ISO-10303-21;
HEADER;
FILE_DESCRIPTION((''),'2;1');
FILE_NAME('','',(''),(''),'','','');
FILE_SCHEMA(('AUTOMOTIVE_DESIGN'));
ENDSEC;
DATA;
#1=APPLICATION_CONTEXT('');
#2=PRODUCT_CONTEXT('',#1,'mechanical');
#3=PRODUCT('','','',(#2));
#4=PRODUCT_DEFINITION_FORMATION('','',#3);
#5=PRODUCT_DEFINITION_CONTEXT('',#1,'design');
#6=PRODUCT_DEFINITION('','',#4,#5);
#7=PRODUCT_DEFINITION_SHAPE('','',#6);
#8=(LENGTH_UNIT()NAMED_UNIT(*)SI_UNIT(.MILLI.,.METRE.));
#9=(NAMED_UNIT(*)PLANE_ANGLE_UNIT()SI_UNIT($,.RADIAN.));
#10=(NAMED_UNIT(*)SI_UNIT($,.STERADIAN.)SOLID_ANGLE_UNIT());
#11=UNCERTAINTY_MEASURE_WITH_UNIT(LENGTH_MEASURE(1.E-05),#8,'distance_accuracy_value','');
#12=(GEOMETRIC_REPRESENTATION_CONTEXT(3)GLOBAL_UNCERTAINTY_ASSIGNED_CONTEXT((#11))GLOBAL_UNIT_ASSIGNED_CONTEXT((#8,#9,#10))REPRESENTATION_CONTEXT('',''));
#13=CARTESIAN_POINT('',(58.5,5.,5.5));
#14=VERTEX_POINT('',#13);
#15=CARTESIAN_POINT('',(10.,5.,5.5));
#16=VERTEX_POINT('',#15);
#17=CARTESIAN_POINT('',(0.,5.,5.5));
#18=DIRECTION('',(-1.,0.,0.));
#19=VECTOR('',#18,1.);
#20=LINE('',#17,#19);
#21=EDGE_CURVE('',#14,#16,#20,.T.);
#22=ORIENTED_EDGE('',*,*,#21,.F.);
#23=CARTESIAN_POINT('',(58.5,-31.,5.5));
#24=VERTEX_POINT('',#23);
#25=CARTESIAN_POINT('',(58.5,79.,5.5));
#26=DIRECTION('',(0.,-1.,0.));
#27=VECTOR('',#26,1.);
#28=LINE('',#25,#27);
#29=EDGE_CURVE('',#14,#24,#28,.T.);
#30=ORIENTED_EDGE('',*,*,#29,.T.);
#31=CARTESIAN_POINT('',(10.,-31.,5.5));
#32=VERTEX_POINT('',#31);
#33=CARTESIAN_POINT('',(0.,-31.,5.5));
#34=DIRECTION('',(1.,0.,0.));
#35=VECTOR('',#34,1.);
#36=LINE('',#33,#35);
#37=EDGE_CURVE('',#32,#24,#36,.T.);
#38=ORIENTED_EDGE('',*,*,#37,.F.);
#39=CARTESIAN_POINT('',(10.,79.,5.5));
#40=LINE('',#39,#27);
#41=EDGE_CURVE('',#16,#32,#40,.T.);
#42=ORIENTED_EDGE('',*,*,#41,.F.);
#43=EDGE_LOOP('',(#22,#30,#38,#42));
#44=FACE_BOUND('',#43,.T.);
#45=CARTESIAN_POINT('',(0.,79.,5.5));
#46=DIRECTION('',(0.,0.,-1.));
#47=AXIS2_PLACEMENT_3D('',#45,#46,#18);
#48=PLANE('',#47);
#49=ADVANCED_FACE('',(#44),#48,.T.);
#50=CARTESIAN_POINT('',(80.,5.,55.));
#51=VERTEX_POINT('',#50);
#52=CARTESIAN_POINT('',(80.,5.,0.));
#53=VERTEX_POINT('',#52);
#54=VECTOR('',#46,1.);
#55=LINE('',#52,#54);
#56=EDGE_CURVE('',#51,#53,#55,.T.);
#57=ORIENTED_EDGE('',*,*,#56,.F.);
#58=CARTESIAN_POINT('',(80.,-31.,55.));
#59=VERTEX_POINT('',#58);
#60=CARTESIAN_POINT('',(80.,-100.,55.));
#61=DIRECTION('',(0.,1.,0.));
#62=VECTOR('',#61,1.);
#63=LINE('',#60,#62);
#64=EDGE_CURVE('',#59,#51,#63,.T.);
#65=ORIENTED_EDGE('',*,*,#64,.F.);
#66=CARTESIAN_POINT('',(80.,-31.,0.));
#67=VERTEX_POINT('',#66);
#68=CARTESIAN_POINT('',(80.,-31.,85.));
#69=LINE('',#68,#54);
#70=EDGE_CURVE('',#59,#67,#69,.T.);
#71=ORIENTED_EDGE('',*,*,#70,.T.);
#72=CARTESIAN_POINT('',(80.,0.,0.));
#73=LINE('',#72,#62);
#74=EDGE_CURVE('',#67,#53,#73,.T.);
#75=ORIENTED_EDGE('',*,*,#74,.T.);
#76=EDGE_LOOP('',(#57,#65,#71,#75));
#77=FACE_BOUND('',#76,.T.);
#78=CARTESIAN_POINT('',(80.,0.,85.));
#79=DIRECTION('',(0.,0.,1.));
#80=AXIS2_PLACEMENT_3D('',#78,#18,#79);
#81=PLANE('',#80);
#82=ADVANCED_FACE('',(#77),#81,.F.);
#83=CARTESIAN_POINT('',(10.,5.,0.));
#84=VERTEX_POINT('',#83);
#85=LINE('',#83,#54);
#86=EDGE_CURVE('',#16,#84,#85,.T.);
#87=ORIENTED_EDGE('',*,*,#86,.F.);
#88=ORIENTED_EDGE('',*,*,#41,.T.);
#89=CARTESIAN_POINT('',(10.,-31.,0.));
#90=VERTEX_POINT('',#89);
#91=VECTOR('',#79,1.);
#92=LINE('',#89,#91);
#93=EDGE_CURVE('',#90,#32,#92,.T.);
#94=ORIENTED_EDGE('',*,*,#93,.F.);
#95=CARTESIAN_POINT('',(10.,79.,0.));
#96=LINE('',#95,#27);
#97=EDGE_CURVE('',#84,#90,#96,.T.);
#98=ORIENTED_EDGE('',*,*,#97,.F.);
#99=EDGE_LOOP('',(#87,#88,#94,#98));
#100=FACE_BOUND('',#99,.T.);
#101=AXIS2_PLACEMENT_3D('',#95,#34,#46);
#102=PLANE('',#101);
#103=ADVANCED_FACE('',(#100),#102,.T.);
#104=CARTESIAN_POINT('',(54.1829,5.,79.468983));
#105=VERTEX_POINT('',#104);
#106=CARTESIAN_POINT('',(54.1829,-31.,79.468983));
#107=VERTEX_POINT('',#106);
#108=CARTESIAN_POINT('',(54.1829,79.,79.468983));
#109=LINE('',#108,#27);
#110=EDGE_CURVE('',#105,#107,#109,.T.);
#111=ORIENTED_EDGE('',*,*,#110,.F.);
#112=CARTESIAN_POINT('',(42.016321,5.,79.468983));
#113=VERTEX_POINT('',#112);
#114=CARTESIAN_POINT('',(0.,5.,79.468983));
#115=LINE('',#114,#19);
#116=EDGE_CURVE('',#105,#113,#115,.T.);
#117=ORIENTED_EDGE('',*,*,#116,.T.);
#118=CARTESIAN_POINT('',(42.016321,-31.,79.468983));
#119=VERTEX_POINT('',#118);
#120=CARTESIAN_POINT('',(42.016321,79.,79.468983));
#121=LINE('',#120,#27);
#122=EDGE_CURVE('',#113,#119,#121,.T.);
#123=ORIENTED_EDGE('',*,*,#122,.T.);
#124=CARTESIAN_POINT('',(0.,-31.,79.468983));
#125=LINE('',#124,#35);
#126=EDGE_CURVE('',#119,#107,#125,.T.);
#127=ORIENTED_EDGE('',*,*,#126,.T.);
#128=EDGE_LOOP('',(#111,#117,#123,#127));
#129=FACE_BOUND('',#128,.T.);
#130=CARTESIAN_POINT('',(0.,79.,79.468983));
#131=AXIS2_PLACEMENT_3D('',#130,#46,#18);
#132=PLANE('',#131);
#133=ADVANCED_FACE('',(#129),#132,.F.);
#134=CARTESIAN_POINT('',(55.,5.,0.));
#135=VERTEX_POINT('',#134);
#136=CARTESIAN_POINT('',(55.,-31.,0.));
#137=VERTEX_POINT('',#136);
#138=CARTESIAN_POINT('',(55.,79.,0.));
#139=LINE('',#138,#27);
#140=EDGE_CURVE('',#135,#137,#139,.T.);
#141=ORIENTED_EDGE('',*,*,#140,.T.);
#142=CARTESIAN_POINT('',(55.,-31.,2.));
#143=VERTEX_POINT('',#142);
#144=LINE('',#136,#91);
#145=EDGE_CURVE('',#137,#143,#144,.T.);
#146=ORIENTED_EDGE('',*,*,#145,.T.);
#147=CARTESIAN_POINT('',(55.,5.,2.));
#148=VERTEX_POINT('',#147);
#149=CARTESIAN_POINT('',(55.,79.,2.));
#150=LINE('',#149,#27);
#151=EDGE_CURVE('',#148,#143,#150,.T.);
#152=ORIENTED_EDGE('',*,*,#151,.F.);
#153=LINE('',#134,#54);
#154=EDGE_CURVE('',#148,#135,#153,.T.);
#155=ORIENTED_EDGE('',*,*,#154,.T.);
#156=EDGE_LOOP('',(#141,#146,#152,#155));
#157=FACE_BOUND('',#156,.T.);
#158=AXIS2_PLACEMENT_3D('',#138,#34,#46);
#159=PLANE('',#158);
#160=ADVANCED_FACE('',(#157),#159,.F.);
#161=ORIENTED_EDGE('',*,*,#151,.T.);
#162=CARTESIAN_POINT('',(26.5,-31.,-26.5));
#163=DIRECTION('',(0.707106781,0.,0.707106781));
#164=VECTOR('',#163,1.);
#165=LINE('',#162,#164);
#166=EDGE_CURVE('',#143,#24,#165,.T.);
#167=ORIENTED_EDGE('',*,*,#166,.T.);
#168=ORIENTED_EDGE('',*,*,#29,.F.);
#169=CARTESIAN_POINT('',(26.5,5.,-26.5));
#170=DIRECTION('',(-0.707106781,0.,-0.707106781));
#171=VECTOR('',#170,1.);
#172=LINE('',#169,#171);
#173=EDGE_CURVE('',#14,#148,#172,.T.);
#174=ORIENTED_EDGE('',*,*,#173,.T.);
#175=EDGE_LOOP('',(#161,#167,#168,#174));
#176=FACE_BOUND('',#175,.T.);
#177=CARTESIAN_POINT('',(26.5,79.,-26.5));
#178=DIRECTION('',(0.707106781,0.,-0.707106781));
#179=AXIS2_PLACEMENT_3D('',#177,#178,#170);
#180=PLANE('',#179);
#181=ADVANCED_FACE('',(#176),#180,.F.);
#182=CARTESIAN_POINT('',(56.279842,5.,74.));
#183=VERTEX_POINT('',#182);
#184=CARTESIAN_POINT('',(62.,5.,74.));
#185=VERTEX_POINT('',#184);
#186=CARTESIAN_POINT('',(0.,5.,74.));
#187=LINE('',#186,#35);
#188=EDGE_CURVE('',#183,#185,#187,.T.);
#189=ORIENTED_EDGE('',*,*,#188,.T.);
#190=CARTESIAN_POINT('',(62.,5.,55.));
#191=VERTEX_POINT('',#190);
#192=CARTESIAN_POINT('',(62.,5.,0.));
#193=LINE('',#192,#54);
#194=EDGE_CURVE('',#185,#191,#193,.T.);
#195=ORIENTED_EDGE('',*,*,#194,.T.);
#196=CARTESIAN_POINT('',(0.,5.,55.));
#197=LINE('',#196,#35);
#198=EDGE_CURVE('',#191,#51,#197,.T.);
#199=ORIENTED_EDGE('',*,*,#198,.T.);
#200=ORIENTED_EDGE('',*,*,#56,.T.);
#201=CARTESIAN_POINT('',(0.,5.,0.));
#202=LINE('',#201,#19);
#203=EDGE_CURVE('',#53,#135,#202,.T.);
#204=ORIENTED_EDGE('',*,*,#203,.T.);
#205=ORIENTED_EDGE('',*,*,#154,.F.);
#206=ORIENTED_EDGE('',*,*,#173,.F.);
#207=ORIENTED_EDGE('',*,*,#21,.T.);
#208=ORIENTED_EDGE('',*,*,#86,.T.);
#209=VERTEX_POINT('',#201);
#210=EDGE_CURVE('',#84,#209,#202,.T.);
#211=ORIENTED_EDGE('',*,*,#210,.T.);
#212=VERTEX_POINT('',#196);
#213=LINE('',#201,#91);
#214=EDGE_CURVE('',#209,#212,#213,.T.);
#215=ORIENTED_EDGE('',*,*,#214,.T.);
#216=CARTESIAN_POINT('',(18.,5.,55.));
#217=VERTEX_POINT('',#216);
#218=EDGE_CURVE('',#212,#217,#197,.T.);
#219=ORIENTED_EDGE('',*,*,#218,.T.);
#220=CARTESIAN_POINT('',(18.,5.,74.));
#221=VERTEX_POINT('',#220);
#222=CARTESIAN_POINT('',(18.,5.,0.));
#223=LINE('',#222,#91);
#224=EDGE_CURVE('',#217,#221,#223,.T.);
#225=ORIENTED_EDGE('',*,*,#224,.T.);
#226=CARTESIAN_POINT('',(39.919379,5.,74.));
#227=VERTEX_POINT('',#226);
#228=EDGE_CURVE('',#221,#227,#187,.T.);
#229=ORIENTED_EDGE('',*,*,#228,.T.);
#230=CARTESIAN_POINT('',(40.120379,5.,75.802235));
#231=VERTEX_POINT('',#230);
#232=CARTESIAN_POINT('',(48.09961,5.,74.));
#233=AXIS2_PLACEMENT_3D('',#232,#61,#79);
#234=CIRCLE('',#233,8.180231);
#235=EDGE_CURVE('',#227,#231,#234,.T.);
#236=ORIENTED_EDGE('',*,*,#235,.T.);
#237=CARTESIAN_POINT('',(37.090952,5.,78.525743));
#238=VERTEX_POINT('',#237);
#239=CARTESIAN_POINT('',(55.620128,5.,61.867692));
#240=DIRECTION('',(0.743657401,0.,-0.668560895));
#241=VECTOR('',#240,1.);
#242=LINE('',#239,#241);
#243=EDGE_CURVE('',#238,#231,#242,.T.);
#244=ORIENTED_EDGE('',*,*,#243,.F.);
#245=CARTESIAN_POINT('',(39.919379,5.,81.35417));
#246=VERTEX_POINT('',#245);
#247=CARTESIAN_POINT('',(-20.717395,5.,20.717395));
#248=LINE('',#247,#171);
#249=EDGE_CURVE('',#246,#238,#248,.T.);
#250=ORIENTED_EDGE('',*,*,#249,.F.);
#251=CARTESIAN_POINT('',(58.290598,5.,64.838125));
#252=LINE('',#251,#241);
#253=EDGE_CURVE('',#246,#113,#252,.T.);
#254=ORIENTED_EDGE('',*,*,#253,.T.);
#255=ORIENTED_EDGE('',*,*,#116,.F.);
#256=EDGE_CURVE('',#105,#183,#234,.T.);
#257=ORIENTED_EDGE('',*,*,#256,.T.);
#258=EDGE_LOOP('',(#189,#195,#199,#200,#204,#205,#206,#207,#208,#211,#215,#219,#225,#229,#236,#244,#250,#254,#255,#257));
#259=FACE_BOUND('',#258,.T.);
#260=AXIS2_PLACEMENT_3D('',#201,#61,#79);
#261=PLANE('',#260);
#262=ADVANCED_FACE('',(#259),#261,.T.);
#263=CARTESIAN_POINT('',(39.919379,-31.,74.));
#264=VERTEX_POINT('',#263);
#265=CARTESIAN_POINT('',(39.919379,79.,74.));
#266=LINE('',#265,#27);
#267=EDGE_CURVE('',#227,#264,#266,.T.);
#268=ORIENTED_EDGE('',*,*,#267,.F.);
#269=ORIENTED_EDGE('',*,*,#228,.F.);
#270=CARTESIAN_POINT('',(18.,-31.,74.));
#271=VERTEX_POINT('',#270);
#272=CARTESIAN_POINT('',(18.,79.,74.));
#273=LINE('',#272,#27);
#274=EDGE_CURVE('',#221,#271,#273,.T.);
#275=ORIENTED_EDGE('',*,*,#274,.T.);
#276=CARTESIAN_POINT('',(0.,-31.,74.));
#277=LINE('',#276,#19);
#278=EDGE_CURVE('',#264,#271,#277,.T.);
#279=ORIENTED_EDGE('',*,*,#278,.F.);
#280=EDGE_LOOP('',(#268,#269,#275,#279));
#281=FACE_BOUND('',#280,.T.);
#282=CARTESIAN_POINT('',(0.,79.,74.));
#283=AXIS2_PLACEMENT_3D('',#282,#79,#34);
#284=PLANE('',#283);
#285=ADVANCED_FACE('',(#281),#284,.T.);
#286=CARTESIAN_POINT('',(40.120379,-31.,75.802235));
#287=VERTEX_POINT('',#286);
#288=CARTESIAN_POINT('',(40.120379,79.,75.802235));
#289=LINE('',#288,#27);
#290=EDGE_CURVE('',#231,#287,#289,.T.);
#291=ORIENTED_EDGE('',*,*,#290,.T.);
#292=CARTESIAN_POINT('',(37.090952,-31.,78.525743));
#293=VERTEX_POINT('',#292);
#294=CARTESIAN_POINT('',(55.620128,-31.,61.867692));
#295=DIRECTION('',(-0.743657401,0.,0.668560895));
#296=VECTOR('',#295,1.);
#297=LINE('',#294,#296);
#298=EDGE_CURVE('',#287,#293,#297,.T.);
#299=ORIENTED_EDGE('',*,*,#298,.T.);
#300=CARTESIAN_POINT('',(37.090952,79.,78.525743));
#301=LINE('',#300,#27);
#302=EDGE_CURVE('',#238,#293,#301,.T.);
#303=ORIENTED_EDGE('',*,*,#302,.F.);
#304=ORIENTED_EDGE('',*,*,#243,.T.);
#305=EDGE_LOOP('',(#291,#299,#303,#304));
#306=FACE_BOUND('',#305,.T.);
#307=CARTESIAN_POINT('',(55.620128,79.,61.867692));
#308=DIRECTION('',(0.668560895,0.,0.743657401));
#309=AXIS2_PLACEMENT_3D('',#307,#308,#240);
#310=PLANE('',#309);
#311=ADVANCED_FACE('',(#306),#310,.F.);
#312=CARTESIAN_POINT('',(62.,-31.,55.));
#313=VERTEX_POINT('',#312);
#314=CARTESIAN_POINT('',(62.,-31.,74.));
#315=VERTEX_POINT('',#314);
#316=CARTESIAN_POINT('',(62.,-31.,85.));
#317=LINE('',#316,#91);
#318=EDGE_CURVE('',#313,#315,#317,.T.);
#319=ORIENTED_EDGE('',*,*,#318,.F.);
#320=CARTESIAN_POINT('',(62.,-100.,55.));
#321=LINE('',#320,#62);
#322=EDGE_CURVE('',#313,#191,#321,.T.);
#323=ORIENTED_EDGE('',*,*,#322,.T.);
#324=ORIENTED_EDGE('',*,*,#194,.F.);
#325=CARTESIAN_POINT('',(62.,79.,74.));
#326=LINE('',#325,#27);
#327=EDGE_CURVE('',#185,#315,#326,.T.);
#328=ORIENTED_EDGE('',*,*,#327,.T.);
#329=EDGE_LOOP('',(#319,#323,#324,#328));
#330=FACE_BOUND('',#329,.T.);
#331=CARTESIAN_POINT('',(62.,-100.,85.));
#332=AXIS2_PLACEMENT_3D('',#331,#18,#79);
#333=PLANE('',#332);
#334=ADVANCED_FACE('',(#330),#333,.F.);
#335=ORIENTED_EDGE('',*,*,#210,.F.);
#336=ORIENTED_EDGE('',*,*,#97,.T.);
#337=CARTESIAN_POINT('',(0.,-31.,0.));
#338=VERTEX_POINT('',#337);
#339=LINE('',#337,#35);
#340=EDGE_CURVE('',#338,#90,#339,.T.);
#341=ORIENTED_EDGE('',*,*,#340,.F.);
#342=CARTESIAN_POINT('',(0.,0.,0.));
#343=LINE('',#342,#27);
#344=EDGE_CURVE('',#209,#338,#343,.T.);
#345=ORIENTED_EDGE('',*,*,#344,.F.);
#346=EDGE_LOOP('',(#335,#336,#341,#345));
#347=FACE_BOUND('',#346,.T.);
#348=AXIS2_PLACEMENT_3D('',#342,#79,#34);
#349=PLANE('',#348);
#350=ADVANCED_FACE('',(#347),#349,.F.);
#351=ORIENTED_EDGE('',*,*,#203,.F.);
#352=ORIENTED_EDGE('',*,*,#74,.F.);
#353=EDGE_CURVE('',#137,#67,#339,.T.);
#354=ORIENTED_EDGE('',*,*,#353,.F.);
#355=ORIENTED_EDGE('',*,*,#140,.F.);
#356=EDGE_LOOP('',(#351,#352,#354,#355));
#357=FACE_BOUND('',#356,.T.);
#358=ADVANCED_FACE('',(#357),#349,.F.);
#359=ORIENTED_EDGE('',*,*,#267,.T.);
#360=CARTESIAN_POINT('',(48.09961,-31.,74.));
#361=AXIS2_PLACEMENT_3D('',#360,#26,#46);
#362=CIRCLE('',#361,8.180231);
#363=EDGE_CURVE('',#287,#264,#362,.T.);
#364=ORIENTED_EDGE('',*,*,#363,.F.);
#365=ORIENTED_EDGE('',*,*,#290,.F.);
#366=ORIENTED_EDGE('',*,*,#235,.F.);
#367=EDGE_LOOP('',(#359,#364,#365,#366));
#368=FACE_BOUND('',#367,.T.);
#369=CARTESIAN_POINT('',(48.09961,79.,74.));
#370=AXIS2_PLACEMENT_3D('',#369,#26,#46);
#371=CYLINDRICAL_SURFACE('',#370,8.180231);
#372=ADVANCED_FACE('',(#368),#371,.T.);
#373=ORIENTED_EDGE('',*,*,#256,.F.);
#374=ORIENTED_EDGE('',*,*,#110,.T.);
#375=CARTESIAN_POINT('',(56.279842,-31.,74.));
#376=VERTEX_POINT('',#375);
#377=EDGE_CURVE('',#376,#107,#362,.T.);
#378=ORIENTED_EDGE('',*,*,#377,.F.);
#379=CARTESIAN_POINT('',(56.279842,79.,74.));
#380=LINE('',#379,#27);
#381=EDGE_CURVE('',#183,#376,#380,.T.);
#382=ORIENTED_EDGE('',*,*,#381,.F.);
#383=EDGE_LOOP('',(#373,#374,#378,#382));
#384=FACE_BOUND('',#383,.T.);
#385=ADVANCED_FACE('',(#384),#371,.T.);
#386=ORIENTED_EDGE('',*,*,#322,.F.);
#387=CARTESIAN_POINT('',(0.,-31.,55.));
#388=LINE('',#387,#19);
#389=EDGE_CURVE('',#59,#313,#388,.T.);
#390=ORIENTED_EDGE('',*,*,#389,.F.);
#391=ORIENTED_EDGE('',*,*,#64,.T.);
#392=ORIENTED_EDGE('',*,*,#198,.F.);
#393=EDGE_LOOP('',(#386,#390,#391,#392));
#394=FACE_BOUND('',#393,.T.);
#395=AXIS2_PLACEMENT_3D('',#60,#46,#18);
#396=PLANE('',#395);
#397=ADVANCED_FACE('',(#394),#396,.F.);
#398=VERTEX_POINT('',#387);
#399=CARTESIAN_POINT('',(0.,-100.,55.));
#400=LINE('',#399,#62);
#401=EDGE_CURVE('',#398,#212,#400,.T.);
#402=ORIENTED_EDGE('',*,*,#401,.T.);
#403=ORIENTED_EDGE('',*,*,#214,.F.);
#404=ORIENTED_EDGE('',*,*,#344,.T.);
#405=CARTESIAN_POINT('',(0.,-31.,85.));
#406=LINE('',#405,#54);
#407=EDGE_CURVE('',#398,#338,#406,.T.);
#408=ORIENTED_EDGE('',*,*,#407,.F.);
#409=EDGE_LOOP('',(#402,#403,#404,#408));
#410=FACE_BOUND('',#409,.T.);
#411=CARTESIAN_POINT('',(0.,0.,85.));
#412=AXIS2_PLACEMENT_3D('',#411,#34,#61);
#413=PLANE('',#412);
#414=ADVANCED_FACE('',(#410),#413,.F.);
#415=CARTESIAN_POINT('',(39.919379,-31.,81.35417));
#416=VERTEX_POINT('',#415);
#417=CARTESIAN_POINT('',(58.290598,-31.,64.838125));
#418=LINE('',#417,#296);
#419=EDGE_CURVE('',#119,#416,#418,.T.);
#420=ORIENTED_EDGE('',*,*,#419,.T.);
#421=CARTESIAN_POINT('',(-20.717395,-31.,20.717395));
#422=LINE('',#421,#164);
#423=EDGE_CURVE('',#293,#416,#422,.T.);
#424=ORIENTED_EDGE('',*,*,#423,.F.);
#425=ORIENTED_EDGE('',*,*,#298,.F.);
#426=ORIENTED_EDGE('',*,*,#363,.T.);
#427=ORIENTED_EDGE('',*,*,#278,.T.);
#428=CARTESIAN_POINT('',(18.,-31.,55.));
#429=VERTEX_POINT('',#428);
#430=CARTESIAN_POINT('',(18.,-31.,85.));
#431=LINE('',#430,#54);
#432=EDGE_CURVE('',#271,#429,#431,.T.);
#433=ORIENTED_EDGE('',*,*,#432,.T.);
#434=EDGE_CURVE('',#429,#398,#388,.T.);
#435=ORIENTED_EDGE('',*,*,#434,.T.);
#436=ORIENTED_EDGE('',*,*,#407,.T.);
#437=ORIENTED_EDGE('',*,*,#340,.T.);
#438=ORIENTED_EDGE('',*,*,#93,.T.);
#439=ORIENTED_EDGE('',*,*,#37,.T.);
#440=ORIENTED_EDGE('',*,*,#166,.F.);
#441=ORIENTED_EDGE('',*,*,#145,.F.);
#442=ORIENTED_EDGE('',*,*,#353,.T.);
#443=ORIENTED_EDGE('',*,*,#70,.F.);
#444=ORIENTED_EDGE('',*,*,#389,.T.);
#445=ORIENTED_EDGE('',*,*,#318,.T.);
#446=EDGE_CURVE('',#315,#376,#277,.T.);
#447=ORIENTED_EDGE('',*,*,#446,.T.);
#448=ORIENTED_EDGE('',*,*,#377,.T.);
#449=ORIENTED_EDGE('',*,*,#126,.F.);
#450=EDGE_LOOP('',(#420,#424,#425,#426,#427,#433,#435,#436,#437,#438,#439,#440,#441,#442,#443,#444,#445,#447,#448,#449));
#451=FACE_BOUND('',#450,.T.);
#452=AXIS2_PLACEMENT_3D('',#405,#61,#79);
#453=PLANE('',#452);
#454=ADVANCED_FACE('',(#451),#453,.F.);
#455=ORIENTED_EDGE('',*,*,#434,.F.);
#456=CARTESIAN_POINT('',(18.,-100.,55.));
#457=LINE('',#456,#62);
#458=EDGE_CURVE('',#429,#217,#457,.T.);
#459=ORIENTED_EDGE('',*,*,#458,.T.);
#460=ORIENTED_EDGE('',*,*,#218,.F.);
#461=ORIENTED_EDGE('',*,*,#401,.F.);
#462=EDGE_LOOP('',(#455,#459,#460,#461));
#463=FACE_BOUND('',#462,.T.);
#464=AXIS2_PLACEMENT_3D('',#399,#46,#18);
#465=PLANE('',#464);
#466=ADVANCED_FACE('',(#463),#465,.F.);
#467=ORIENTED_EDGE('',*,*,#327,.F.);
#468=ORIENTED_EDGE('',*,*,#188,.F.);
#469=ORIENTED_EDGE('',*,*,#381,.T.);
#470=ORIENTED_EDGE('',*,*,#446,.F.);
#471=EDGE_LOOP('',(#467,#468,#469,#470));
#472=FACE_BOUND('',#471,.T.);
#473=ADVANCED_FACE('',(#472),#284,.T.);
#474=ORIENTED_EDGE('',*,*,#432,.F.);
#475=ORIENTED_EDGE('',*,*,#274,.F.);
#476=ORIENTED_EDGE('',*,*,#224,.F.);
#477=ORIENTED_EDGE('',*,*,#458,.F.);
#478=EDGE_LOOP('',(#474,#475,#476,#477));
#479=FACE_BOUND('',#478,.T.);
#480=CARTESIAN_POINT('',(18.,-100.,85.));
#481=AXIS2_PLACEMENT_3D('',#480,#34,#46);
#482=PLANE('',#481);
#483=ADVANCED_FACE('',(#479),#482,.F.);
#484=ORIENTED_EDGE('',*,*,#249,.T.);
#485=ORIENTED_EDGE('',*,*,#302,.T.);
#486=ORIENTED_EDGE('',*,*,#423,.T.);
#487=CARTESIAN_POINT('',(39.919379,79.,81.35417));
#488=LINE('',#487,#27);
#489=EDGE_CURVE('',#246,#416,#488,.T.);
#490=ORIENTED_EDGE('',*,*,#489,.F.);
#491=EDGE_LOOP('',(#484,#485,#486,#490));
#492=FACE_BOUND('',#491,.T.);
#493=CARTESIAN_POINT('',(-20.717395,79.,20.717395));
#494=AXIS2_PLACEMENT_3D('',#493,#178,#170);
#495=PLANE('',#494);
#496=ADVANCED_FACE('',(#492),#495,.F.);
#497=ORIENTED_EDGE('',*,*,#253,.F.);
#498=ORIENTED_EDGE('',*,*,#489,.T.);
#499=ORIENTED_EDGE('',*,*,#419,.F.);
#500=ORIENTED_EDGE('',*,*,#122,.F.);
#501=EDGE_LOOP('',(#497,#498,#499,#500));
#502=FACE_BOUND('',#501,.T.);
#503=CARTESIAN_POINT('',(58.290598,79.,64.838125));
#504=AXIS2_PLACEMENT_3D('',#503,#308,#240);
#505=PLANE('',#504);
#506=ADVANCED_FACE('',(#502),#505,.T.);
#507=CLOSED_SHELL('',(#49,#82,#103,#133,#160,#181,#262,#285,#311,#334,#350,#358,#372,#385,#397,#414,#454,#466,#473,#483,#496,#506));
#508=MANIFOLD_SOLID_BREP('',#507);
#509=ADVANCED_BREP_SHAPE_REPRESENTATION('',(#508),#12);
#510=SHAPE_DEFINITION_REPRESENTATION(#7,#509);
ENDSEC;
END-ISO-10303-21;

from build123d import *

# Parameters (mm, degrees)
SKETCH_6_W          = 80
SKETCH_6_H          = 31
EXTRUDE_1_DEPTH     = 85
SKETCH_8_W          = 18
SKETCH_8_H          = 30
CUT_EXTRUDE_1_DEPTH = 100
SKETCH_9_W          = 44
SKETCH_9_H          = 30
EXTRUDE_3_DEPTH     = 5
CUT_EXTRUDE_2_DEPTH = 110


with BuildPart() as part:
    # 草图6 → 凸台-拉伸1 (new body)
    with BuildSketch(Plane.XY):
        with Locations((40, -15.5)):
            Rectangle(SKETCH_6_W, SKETCH_6_H)
    extrude(amount=EXTRUDE_1_DEPTH)

    # 草图8 → 切除-拉伸1 (cut)
    with BuildSketch(Plane(origin=(0, 0, 0), x_dir=(1, 0, 0), z_dir=(0, 1, 0))):
        with Locations((71, -70)):
            Rectangle(SKETCH_8_W, SKETCH_8_H)
        with Locations((9, -70)):
            Rectangle(SKETCH_8_W, SKETCH_8_H)
    extrude(amount=-CUT_EXTRUDE_1_DEPTH, mode=Mode.SUBTRACT)

    # 草图9 → 凸台-拉伸3 (add)
    with BuildSketch(Plane(origin=(0, 0, 0), x_dir=(1, 0, 0), z_dir=(0, 1, 0))):
        Polygon((18, -55), (62, -55), (80, -55), (80, 0), (0, 0), (0, -55), align=None)
        with Locations((40, -70)):
            Rectangle(SKETCH_9_W, SKETCH_9_H)
    extrude(amount=EXTRUDE_3_DEPTH)

    # 草图10 → 切除-拉伸2 (cut)
    with BuildSketch(Plane.XZ.offset(31)):
        Polygon((10, 0), (55, 0), (55, 2), (58.5, 5.5), (10, 5.5), align=None)
        with BuildLine():
            Line((39.91937897, 81.354169844), (42.016320752, 79.468982831))
            Line((42.016320752, 79.468982831), (54.182900006, 79.468982831))
            ThreePointArc((54.182900006, 79.468982831), (55.737637047, 76.92860624), (56.279841788, 74))
            Line((56.279841788, 74), (62, 74))
            Line((62, 74), (62, 85))
            Line((62, 85), (18, 85))
            Line((18, 85), (18, 74))
            Line((18, 74), (39.91937897, 74))
            ThreePointArc((39.91937897, 74), (39.969784262, 74.906704585), (40.120378957, 75.802235229))
            Line((40.120378957, 75.802235229), (37.090951845, 78.52574272))
            Line((37.090951845, 78.52574272), (39.91937897, 81.354169844))
        make_face()
    extrude(amount=-CUT_EXTRUDE_2_DEPTH, mode=Mode.SUBTRACT)


solid = part.part
